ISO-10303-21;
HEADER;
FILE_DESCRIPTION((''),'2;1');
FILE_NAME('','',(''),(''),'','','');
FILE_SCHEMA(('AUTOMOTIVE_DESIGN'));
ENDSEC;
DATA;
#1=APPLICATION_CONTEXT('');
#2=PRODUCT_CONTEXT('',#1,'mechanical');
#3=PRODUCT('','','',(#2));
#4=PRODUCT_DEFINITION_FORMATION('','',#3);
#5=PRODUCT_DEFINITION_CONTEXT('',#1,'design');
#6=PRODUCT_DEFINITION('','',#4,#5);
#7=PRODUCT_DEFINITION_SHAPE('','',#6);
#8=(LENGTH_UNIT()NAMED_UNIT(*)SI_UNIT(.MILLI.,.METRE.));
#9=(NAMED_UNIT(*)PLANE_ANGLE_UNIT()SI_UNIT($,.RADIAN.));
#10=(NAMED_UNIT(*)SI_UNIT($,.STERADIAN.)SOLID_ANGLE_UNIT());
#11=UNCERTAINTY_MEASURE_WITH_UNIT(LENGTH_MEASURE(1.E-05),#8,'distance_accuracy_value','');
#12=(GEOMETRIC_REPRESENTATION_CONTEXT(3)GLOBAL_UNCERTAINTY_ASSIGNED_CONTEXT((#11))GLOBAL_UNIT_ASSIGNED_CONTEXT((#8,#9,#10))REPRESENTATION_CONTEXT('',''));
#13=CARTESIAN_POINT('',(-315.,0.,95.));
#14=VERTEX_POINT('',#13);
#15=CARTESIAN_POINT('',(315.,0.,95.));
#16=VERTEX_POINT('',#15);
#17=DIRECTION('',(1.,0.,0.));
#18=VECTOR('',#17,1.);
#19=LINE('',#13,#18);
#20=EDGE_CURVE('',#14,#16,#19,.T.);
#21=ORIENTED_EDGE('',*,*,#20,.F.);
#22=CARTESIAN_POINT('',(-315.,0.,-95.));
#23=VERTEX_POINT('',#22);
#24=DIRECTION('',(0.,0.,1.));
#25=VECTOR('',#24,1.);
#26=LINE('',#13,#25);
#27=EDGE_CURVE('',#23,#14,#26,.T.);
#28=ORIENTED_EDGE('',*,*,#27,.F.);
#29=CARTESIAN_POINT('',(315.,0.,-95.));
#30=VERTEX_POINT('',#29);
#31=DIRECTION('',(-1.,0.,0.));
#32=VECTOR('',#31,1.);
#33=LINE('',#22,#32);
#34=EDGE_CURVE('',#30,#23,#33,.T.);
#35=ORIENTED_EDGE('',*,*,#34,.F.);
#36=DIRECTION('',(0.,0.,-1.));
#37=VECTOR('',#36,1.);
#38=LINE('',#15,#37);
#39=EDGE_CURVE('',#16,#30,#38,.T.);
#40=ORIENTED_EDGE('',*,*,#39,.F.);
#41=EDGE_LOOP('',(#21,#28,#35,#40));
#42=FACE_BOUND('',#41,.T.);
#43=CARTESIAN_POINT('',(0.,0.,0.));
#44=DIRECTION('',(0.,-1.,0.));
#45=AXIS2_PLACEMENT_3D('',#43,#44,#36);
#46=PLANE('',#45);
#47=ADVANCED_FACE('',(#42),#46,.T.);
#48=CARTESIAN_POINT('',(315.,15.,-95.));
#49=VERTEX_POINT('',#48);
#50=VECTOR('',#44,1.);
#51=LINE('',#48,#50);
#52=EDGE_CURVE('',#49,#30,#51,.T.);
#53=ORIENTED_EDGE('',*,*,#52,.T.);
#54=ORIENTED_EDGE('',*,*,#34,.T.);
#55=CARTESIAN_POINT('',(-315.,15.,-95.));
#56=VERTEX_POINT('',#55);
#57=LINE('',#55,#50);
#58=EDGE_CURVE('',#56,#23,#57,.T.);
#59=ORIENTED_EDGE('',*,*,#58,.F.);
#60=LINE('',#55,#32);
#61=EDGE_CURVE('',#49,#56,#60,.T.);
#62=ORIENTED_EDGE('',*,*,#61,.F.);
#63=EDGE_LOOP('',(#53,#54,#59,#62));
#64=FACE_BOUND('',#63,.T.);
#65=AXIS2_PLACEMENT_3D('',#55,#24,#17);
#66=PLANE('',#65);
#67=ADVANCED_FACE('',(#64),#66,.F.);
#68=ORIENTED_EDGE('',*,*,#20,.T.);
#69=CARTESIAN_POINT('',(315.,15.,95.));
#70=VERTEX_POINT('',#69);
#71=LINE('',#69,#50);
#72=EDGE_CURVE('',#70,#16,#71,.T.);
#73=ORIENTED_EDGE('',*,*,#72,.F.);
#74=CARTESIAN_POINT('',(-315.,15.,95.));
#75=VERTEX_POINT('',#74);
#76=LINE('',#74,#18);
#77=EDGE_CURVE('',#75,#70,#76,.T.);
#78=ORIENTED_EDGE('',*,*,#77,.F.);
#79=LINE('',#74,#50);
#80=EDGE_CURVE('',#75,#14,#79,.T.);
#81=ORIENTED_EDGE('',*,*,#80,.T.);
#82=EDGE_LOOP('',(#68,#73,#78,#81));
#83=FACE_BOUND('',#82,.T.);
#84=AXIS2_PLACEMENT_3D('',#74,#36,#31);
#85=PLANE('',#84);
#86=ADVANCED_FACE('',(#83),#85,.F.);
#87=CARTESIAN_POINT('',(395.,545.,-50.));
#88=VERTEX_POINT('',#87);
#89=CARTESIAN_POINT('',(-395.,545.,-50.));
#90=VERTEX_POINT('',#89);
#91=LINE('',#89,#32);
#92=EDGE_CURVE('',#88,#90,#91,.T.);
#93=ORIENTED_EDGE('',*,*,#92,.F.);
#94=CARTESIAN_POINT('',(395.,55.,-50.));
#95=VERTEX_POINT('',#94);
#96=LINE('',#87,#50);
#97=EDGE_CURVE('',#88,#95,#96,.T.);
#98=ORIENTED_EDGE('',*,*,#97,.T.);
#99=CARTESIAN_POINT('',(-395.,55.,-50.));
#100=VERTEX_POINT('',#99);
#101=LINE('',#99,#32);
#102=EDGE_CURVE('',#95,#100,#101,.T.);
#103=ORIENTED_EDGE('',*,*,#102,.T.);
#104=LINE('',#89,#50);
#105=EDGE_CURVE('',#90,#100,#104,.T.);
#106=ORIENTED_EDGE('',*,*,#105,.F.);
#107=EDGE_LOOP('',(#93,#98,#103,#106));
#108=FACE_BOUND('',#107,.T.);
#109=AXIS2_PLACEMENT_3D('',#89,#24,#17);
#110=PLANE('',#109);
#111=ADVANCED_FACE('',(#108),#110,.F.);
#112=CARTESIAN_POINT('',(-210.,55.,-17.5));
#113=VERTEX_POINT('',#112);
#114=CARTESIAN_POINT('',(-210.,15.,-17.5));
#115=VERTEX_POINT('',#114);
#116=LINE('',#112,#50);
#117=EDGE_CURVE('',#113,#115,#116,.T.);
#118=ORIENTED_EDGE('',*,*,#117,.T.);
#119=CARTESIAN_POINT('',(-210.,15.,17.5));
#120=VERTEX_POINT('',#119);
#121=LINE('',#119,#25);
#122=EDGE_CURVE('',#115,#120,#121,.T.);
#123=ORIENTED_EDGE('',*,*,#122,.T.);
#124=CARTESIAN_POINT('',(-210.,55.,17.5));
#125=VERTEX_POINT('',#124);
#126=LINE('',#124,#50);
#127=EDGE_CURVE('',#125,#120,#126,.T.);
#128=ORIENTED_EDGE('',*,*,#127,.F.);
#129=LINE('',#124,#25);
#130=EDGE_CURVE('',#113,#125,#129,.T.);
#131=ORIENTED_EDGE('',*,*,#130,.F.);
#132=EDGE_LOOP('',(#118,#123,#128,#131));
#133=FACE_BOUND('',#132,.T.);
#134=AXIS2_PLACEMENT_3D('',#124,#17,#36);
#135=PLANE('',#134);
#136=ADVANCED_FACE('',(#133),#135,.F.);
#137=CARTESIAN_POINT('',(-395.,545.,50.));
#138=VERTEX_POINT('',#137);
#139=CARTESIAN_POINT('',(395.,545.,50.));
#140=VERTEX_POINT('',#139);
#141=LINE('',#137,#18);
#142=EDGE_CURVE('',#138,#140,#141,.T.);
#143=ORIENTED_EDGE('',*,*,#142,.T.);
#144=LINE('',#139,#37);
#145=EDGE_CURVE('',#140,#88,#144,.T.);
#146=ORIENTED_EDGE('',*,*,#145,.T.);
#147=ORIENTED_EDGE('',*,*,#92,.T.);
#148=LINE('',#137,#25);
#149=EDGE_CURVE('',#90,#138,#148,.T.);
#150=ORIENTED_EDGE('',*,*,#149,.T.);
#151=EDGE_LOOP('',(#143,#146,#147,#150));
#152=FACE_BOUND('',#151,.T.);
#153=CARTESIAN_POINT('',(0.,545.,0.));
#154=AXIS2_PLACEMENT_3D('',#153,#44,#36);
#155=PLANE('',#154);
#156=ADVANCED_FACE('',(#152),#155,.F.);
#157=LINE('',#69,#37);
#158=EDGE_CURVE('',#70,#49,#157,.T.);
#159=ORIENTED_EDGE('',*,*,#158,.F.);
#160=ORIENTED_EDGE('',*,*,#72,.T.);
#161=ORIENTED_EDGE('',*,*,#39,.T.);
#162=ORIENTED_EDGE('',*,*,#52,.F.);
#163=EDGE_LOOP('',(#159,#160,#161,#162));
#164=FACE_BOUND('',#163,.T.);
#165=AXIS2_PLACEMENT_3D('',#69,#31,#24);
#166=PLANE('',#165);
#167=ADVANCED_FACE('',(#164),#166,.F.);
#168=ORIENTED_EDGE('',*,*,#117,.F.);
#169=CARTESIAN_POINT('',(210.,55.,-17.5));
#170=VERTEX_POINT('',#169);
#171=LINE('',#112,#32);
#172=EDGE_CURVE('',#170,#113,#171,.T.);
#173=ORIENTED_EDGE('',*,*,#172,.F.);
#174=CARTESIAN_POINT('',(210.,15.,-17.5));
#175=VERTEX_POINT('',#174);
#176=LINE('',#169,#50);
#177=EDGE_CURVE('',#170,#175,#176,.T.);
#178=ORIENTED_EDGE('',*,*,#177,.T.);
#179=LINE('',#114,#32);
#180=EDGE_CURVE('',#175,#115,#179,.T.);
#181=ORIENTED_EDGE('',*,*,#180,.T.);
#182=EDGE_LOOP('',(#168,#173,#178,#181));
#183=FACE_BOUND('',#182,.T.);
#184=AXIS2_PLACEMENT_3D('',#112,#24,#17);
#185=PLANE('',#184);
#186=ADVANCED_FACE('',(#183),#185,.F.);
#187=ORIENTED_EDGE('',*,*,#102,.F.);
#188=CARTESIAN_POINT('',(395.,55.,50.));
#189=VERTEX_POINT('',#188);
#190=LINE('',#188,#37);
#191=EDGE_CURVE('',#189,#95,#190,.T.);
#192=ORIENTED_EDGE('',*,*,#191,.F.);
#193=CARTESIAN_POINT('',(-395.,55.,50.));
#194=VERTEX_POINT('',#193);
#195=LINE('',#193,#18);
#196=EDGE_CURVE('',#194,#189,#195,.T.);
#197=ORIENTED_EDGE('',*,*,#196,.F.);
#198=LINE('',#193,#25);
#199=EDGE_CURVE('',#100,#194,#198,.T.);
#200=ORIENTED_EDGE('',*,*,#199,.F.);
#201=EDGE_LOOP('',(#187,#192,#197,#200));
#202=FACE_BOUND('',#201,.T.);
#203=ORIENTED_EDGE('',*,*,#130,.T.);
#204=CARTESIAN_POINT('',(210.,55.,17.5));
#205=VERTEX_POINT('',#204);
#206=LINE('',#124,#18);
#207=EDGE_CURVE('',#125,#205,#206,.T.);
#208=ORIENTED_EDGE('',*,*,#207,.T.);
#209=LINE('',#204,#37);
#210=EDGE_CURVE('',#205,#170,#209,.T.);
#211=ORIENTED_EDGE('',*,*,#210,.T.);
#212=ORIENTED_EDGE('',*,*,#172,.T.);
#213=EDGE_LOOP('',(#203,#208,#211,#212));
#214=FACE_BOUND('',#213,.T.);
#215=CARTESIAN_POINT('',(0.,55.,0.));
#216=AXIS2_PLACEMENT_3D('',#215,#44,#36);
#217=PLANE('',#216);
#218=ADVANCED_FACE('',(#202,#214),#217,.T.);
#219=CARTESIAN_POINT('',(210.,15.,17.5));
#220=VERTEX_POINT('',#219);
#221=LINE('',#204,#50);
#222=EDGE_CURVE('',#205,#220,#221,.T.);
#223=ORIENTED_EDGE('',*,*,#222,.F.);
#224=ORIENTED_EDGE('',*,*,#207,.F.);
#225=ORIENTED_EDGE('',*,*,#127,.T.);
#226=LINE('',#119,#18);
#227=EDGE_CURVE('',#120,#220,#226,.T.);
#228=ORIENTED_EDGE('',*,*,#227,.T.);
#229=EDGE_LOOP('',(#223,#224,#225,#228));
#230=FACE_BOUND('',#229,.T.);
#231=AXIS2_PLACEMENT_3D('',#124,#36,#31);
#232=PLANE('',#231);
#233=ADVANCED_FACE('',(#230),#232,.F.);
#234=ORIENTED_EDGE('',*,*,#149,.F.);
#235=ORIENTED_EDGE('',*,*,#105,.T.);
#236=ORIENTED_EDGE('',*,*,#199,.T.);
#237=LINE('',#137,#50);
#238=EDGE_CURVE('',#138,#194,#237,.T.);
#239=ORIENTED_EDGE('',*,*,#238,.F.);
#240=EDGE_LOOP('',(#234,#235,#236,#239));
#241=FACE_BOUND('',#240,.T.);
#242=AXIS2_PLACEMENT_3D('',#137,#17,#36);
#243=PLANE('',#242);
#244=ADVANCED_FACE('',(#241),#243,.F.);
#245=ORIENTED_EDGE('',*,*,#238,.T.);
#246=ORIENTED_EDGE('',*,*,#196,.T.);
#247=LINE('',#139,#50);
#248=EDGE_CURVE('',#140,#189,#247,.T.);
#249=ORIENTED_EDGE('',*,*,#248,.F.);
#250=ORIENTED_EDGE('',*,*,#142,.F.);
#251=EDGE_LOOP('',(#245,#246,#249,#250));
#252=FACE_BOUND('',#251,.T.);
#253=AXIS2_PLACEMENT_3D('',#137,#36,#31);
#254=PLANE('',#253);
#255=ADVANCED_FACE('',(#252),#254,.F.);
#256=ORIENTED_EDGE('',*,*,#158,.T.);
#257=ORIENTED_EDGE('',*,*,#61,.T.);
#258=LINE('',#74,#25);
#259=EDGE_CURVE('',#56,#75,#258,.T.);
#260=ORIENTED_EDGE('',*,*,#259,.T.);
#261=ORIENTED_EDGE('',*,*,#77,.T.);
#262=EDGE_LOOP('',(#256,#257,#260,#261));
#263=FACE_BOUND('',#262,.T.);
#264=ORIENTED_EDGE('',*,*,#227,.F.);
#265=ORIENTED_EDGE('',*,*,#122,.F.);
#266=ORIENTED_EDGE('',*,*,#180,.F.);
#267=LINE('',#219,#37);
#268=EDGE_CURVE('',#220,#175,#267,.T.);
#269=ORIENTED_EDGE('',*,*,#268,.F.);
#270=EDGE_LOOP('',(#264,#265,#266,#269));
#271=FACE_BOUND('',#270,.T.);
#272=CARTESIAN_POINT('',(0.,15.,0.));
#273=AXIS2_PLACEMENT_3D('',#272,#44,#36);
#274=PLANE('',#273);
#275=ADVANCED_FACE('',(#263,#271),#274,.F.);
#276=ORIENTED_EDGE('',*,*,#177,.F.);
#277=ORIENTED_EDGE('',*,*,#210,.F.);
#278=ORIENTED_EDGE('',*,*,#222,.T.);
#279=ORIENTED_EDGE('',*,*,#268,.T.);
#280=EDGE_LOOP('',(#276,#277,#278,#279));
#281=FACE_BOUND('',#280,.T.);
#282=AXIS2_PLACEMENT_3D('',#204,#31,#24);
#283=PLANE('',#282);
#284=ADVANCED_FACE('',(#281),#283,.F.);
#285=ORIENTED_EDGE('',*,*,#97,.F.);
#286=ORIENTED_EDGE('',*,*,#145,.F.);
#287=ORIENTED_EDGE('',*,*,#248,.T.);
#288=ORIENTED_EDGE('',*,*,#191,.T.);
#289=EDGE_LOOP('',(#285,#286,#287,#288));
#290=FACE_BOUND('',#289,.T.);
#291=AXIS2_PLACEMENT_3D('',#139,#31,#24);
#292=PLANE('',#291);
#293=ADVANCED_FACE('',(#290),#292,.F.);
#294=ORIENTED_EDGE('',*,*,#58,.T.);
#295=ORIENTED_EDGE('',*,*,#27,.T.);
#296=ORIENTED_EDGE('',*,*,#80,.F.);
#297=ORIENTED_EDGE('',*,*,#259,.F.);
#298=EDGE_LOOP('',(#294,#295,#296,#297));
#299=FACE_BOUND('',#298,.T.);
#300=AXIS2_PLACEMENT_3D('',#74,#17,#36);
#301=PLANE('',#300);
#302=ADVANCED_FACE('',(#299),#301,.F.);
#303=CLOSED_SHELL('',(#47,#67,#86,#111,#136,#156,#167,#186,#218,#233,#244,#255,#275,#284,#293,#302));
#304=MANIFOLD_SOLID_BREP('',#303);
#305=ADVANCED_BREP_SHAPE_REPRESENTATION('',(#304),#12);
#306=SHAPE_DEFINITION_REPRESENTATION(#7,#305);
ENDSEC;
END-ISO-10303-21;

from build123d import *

# Parameters (mm, degrees)
SKETCH1_W           = 630
SKETCH1_H           = 190
BOSS_EXTRUDE1_DEPTH = 15
SKETCH3_W           = 420
SKETCH3_H           = 35
BOSS_EXTRUDE2_DEPTH = 40
SKETCH4_W           = 790
SKETCH4_H           = 100
BOSS_EXTRUDE3_DEPTH = 490


with BuildPart() as part:
    # Sketch1 → Boss-Extrude1 (new body)
    with BuildSketch(Plane(origin=(0, 0, 0), x_dir=(1, 0, 0), z_dir=(0, 1, 0))):
        Rectangle(SKETCH1_W, SKETCH1_H)
    extrude(amount=BOSS_EXTRUDE1_DEPTH)

    # Sketch3 → Boss-Extrude2 (add)
    with BuildSketch(Plane(origin=(0, 15, 0), x_dir=(1, 0, 0), z_dir=(0, 1, 0))):
        Rectangle(SKETCH3_W, SKETCH3_H)
    extrude(amount=BOSS_EXTRUDE2_DEPTH)

    # Sketch4 → Boss-Extrude3 (add)
    with BuildSketch(Plane(origin=(0, 55, 0), x_dir=(1, 0, 0), z_dir=(0, 1, 0))):
        Rectangle(SKETCH4_W, SKETCH4_H)
    extrude(amount=BOSS_EXTRUDE3_DEPTH)


solid = part.part
